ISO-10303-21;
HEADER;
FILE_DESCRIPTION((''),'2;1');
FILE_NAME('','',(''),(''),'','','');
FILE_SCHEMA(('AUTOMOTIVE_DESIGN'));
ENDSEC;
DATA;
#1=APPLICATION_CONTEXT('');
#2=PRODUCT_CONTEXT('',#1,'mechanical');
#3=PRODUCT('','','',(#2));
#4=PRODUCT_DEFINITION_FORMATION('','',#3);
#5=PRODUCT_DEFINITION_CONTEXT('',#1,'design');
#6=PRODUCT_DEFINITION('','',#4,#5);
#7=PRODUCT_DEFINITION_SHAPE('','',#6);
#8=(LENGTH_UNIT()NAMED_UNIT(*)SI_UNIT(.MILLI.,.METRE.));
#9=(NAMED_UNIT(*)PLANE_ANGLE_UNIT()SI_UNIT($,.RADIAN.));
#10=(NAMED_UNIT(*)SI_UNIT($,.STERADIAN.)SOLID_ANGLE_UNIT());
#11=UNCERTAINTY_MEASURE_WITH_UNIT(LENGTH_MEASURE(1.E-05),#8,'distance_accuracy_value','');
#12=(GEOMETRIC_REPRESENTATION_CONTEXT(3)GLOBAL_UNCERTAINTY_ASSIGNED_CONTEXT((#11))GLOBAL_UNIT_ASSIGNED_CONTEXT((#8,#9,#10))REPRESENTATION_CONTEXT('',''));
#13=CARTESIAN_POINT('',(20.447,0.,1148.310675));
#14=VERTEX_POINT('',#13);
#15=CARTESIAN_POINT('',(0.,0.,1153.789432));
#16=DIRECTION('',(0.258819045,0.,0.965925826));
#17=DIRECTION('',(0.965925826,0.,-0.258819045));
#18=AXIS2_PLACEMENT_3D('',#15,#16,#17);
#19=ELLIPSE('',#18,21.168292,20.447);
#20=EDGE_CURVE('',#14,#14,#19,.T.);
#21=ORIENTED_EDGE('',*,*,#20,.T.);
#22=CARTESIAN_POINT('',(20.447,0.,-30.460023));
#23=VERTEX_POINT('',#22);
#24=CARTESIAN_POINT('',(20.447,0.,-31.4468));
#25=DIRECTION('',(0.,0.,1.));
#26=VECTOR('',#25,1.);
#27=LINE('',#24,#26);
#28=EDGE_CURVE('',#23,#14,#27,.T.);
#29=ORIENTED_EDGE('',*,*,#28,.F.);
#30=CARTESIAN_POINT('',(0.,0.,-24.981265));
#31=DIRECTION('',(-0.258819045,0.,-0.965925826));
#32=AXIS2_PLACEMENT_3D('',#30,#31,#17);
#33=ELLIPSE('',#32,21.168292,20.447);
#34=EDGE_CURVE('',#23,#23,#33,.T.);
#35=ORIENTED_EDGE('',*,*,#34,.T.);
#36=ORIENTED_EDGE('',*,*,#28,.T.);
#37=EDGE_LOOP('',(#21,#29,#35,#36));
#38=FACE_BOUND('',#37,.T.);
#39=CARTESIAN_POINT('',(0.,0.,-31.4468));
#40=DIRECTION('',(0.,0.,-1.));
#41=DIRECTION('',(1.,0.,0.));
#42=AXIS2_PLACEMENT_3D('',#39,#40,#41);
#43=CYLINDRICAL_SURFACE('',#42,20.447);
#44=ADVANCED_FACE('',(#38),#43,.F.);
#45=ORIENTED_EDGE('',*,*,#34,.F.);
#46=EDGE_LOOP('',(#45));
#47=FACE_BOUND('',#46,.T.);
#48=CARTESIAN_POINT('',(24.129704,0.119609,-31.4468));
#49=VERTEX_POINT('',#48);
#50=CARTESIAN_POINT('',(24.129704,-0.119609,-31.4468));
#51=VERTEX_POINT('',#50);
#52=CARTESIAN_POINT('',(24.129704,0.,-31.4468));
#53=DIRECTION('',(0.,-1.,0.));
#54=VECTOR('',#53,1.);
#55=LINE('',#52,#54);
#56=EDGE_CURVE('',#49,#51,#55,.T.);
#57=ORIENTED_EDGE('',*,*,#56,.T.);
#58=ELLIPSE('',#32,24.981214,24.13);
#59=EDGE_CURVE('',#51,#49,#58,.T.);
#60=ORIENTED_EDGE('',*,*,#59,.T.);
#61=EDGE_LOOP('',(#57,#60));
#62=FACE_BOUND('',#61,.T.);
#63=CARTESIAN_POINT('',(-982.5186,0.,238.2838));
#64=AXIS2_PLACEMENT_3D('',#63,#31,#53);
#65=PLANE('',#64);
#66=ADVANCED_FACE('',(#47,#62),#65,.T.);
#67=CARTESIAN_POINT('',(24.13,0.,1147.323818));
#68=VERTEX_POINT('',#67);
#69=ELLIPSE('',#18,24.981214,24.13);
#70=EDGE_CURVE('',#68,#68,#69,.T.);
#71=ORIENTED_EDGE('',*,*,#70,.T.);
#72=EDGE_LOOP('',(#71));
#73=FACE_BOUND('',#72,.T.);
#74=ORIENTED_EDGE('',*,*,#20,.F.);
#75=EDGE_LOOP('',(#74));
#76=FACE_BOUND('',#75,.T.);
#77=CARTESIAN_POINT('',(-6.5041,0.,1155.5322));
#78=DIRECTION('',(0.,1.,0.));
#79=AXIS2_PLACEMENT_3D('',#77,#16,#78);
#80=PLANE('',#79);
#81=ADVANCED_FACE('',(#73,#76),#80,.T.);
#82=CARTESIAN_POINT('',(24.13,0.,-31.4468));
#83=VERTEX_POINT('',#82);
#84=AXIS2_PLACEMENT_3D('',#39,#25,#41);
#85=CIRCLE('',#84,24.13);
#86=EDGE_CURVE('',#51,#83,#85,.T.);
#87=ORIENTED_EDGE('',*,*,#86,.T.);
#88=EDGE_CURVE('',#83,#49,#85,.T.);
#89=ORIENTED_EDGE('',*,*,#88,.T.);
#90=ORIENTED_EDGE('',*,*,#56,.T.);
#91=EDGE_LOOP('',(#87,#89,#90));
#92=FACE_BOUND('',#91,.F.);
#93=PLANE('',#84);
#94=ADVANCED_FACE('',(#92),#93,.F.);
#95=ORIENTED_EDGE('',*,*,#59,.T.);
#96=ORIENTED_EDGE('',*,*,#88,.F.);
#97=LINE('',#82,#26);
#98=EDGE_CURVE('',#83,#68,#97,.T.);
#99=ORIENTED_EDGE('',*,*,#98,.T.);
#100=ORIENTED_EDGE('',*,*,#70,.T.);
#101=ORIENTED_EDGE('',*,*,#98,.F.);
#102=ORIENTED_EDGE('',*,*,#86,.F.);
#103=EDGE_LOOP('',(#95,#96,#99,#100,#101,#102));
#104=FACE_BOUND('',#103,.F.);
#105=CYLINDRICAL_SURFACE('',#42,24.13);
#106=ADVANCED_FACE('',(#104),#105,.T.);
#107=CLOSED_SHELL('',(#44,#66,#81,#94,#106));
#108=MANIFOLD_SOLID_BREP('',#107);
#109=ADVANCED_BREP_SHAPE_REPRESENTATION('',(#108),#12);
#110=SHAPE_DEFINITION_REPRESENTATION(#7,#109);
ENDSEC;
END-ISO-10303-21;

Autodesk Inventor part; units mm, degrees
ref_plane "Start Plane" through (0, 0, -31.4468) normal (0, 0, 1) x (1, 0, 0)
ref_plane "End Plane" through (0, 0, 1160.255) normal (0, 0, 1) x (1, 0, 0)
sketch "Sketch" plane through (0, 0, 0) normal (0, 0, 1) x (1, 0, 0)
  circle A0 centre (0, 0) radius 20.447
  circle A1 centre (0, 0) radius 24.13
  dimension "d0" = 48.26
  dimension "d1" = 3.683
extrude "Body" add sketch "Sketch" along normal up to surface (1191.7019 mm away) from surface at -31.4468
sketch "Sketch3" plane through (0, 0, 0) normal (0, 0, 1) x (1, 0, 0)
  line L0 (0, 0) -> (10, 0)
ref_plane "Work Plane3" through (0, 0, 0) normal (0, -1, 0) x (1, 0, 0)
ref_plane "Work Plane4" through (-6.5041, 0, 1155.5322) normal (0.2588, 0, 0.9659) x (0.9659, 0, -0.2588)
split "Split1" plane through (-6.5041, 0, 1155.5322) removes the side toward (0.2588, 0, 0.9659)
ref_plane "Work Plane5" through (-982.5186, 0, 238.2838) normal (-0.2588, 0, -0.9659) x (-0.9659, 0, 0.2588)
split "Split2" plane through (-982.5186, 0, 238.2838) removes the side toward (-0.2588, 0, -0.9659)
sketch "Sketch4" plane through (0, 0, 0) normal (0, -1, 0) x (1, 0, 0)
  line L0 (-2, -31.4468) -> (12, -31.4468) projected
  line L1 (-2, 1160.255) -> (12, 1160.255) projected
  dimension "d7" = 1191.7018
equation "\"d0\" = G_H"
equation "\"d1\" = G_T"
equation "\"d2\" = G_L"
equation "\"G_H\" = 48.26"
equation "\"G_T\" = 3.683"
equation "\"G_L\" = d7"
equation "\"G_OFFSET_START\" = 31.44683"
equation "\"G_OFFSET_END\" = -19.55088"
equation "\"d4\" = -G_OFFSET_START"
equation "\"d5\" = G_OFFSET_END + B_L"
equation "\"B_L\" = 1179.8059"
properties part number "ANSI - 1 1/2 x 0.145 - 46.917" material "Steel, Mild"
